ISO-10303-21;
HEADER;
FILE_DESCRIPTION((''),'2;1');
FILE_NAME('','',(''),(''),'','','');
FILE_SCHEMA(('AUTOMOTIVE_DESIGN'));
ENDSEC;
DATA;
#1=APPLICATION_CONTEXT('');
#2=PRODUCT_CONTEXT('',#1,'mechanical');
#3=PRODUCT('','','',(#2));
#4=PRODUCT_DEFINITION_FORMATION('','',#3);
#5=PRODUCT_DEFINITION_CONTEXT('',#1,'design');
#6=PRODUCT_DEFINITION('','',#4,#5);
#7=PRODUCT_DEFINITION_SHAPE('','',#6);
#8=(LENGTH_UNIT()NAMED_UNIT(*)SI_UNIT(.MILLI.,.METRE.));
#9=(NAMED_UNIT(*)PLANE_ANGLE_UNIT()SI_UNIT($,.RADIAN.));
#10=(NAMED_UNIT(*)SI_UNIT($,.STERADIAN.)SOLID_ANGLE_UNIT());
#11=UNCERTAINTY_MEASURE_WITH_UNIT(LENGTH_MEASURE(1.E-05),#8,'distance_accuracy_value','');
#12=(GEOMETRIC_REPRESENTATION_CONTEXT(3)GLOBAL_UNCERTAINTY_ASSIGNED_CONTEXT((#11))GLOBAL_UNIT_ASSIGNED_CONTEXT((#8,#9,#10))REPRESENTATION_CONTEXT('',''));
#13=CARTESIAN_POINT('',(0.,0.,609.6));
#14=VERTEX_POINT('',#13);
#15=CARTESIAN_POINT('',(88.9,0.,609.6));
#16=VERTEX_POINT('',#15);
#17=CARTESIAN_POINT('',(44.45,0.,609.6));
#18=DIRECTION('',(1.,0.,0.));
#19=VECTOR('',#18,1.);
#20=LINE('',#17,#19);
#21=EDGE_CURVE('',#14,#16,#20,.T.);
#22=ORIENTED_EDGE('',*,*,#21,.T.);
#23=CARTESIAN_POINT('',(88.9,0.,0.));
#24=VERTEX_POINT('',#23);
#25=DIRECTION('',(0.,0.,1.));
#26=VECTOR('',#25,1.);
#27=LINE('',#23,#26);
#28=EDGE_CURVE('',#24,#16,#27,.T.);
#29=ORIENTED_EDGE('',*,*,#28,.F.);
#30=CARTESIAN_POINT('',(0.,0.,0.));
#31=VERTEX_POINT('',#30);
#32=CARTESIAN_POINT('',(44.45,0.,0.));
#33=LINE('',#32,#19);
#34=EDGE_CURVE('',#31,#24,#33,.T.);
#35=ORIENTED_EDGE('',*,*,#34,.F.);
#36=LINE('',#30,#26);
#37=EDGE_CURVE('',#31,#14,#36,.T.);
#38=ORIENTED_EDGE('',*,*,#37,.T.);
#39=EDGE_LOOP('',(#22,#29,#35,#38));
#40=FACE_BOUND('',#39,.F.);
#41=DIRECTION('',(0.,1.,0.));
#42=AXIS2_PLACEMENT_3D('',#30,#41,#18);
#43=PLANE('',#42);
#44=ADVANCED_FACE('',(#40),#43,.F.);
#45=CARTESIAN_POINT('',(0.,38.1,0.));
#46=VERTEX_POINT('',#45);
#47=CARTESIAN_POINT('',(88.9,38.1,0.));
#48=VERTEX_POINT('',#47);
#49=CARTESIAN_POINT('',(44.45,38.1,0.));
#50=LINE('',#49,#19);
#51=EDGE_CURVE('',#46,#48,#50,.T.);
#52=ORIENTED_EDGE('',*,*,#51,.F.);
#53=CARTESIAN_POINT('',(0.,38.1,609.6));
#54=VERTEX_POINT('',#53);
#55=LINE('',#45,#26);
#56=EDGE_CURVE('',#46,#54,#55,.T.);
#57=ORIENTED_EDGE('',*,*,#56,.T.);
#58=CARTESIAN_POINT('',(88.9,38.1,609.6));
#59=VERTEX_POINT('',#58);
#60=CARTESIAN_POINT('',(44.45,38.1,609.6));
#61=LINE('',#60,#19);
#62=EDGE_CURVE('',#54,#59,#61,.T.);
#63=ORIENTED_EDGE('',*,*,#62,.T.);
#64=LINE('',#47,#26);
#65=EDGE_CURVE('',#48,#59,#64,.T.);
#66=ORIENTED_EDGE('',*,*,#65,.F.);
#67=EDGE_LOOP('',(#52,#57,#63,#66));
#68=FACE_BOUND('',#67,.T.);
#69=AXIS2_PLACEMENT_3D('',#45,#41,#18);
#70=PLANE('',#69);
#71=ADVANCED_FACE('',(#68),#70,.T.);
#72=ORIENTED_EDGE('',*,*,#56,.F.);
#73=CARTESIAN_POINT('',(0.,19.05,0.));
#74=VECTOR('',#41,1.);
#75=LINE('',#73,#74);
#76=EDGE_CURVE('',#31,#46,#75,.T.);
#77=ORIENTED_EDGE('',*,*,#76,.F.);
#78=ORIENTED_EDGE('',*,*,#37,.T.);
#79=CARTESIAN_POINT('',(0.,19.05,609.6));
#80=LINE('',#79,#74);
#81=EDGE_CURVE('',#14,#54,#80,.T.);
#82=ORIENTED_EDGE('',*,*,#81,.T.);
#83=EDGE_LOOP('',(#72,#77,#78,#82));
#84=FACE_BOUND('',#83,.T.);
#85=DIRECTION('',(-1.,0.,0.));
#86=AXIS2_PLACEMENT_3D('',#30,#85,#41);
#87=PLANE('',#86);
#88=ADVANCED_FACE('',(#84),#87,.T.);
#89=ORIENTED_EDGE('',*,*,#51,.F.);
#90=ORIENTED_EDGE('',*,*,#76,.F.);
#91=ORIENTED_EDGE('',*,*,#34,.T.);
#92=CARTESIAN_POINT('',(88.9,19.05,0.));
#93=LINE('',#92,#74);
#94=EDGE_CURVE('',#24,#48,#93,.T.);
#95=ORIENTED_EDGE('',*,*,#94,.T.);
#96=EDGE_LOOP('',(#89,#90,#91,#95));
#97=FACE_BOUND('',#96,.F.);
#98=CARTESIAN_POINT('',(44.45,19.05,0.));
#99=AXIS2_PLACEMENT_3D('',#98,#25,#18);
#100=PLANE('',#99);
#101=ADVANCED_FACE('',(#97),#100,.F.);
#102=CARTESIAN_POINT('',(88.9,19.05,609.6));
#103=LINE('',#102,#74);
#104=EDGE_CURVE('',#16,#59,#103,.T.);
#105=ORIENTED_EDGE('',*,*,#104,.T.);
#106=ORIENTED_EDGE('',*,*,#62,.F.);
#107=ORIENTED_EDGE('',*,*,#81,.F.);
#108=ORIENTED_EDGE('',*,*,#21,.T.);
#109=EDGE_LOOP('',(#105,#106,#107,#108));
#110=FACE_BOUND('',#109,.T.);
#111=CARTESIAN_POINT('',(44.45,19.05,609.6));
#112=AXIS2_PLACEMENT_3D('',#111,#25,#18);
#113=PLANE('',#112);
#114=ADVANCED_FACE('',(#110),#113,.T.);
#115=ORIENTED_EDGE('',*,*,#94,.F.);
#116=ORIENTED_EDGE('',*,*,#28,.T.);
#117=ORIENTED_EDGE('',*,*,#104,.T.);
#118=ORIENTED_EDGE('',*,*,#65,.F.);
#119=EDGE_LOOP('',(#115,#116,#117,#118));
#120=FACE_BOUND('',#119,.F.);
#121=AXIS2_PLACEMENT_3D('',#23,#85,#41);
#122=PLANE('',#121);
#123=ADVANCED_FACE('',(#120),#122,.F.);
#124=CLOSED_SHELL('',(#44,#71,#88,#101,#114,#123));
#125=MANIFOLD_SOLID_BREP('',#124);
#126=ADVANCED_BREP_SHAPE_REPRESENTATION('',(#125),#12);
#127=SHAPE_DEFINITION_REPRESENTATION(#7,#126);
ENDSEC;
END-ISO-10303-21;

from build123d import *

# Parameters (mm, degrees)
SKETCH1_W           = 88.9
SKETCH1_H           = 38.1
BOSS_EXTRUDE1_DEPTH = 609.6


with BuildPart() as part:
    # Sketch1 → Boss-Extrude1 (new body)
    with BuildSketch(Plane.XY):
        with Locations((44.45, 19.05)):
            Rectangle(SKETCH1_W, SKETCH1_H)
    extrude(amount=BOSS_EXTRUDE1_DEPTH)


solid = part.part
